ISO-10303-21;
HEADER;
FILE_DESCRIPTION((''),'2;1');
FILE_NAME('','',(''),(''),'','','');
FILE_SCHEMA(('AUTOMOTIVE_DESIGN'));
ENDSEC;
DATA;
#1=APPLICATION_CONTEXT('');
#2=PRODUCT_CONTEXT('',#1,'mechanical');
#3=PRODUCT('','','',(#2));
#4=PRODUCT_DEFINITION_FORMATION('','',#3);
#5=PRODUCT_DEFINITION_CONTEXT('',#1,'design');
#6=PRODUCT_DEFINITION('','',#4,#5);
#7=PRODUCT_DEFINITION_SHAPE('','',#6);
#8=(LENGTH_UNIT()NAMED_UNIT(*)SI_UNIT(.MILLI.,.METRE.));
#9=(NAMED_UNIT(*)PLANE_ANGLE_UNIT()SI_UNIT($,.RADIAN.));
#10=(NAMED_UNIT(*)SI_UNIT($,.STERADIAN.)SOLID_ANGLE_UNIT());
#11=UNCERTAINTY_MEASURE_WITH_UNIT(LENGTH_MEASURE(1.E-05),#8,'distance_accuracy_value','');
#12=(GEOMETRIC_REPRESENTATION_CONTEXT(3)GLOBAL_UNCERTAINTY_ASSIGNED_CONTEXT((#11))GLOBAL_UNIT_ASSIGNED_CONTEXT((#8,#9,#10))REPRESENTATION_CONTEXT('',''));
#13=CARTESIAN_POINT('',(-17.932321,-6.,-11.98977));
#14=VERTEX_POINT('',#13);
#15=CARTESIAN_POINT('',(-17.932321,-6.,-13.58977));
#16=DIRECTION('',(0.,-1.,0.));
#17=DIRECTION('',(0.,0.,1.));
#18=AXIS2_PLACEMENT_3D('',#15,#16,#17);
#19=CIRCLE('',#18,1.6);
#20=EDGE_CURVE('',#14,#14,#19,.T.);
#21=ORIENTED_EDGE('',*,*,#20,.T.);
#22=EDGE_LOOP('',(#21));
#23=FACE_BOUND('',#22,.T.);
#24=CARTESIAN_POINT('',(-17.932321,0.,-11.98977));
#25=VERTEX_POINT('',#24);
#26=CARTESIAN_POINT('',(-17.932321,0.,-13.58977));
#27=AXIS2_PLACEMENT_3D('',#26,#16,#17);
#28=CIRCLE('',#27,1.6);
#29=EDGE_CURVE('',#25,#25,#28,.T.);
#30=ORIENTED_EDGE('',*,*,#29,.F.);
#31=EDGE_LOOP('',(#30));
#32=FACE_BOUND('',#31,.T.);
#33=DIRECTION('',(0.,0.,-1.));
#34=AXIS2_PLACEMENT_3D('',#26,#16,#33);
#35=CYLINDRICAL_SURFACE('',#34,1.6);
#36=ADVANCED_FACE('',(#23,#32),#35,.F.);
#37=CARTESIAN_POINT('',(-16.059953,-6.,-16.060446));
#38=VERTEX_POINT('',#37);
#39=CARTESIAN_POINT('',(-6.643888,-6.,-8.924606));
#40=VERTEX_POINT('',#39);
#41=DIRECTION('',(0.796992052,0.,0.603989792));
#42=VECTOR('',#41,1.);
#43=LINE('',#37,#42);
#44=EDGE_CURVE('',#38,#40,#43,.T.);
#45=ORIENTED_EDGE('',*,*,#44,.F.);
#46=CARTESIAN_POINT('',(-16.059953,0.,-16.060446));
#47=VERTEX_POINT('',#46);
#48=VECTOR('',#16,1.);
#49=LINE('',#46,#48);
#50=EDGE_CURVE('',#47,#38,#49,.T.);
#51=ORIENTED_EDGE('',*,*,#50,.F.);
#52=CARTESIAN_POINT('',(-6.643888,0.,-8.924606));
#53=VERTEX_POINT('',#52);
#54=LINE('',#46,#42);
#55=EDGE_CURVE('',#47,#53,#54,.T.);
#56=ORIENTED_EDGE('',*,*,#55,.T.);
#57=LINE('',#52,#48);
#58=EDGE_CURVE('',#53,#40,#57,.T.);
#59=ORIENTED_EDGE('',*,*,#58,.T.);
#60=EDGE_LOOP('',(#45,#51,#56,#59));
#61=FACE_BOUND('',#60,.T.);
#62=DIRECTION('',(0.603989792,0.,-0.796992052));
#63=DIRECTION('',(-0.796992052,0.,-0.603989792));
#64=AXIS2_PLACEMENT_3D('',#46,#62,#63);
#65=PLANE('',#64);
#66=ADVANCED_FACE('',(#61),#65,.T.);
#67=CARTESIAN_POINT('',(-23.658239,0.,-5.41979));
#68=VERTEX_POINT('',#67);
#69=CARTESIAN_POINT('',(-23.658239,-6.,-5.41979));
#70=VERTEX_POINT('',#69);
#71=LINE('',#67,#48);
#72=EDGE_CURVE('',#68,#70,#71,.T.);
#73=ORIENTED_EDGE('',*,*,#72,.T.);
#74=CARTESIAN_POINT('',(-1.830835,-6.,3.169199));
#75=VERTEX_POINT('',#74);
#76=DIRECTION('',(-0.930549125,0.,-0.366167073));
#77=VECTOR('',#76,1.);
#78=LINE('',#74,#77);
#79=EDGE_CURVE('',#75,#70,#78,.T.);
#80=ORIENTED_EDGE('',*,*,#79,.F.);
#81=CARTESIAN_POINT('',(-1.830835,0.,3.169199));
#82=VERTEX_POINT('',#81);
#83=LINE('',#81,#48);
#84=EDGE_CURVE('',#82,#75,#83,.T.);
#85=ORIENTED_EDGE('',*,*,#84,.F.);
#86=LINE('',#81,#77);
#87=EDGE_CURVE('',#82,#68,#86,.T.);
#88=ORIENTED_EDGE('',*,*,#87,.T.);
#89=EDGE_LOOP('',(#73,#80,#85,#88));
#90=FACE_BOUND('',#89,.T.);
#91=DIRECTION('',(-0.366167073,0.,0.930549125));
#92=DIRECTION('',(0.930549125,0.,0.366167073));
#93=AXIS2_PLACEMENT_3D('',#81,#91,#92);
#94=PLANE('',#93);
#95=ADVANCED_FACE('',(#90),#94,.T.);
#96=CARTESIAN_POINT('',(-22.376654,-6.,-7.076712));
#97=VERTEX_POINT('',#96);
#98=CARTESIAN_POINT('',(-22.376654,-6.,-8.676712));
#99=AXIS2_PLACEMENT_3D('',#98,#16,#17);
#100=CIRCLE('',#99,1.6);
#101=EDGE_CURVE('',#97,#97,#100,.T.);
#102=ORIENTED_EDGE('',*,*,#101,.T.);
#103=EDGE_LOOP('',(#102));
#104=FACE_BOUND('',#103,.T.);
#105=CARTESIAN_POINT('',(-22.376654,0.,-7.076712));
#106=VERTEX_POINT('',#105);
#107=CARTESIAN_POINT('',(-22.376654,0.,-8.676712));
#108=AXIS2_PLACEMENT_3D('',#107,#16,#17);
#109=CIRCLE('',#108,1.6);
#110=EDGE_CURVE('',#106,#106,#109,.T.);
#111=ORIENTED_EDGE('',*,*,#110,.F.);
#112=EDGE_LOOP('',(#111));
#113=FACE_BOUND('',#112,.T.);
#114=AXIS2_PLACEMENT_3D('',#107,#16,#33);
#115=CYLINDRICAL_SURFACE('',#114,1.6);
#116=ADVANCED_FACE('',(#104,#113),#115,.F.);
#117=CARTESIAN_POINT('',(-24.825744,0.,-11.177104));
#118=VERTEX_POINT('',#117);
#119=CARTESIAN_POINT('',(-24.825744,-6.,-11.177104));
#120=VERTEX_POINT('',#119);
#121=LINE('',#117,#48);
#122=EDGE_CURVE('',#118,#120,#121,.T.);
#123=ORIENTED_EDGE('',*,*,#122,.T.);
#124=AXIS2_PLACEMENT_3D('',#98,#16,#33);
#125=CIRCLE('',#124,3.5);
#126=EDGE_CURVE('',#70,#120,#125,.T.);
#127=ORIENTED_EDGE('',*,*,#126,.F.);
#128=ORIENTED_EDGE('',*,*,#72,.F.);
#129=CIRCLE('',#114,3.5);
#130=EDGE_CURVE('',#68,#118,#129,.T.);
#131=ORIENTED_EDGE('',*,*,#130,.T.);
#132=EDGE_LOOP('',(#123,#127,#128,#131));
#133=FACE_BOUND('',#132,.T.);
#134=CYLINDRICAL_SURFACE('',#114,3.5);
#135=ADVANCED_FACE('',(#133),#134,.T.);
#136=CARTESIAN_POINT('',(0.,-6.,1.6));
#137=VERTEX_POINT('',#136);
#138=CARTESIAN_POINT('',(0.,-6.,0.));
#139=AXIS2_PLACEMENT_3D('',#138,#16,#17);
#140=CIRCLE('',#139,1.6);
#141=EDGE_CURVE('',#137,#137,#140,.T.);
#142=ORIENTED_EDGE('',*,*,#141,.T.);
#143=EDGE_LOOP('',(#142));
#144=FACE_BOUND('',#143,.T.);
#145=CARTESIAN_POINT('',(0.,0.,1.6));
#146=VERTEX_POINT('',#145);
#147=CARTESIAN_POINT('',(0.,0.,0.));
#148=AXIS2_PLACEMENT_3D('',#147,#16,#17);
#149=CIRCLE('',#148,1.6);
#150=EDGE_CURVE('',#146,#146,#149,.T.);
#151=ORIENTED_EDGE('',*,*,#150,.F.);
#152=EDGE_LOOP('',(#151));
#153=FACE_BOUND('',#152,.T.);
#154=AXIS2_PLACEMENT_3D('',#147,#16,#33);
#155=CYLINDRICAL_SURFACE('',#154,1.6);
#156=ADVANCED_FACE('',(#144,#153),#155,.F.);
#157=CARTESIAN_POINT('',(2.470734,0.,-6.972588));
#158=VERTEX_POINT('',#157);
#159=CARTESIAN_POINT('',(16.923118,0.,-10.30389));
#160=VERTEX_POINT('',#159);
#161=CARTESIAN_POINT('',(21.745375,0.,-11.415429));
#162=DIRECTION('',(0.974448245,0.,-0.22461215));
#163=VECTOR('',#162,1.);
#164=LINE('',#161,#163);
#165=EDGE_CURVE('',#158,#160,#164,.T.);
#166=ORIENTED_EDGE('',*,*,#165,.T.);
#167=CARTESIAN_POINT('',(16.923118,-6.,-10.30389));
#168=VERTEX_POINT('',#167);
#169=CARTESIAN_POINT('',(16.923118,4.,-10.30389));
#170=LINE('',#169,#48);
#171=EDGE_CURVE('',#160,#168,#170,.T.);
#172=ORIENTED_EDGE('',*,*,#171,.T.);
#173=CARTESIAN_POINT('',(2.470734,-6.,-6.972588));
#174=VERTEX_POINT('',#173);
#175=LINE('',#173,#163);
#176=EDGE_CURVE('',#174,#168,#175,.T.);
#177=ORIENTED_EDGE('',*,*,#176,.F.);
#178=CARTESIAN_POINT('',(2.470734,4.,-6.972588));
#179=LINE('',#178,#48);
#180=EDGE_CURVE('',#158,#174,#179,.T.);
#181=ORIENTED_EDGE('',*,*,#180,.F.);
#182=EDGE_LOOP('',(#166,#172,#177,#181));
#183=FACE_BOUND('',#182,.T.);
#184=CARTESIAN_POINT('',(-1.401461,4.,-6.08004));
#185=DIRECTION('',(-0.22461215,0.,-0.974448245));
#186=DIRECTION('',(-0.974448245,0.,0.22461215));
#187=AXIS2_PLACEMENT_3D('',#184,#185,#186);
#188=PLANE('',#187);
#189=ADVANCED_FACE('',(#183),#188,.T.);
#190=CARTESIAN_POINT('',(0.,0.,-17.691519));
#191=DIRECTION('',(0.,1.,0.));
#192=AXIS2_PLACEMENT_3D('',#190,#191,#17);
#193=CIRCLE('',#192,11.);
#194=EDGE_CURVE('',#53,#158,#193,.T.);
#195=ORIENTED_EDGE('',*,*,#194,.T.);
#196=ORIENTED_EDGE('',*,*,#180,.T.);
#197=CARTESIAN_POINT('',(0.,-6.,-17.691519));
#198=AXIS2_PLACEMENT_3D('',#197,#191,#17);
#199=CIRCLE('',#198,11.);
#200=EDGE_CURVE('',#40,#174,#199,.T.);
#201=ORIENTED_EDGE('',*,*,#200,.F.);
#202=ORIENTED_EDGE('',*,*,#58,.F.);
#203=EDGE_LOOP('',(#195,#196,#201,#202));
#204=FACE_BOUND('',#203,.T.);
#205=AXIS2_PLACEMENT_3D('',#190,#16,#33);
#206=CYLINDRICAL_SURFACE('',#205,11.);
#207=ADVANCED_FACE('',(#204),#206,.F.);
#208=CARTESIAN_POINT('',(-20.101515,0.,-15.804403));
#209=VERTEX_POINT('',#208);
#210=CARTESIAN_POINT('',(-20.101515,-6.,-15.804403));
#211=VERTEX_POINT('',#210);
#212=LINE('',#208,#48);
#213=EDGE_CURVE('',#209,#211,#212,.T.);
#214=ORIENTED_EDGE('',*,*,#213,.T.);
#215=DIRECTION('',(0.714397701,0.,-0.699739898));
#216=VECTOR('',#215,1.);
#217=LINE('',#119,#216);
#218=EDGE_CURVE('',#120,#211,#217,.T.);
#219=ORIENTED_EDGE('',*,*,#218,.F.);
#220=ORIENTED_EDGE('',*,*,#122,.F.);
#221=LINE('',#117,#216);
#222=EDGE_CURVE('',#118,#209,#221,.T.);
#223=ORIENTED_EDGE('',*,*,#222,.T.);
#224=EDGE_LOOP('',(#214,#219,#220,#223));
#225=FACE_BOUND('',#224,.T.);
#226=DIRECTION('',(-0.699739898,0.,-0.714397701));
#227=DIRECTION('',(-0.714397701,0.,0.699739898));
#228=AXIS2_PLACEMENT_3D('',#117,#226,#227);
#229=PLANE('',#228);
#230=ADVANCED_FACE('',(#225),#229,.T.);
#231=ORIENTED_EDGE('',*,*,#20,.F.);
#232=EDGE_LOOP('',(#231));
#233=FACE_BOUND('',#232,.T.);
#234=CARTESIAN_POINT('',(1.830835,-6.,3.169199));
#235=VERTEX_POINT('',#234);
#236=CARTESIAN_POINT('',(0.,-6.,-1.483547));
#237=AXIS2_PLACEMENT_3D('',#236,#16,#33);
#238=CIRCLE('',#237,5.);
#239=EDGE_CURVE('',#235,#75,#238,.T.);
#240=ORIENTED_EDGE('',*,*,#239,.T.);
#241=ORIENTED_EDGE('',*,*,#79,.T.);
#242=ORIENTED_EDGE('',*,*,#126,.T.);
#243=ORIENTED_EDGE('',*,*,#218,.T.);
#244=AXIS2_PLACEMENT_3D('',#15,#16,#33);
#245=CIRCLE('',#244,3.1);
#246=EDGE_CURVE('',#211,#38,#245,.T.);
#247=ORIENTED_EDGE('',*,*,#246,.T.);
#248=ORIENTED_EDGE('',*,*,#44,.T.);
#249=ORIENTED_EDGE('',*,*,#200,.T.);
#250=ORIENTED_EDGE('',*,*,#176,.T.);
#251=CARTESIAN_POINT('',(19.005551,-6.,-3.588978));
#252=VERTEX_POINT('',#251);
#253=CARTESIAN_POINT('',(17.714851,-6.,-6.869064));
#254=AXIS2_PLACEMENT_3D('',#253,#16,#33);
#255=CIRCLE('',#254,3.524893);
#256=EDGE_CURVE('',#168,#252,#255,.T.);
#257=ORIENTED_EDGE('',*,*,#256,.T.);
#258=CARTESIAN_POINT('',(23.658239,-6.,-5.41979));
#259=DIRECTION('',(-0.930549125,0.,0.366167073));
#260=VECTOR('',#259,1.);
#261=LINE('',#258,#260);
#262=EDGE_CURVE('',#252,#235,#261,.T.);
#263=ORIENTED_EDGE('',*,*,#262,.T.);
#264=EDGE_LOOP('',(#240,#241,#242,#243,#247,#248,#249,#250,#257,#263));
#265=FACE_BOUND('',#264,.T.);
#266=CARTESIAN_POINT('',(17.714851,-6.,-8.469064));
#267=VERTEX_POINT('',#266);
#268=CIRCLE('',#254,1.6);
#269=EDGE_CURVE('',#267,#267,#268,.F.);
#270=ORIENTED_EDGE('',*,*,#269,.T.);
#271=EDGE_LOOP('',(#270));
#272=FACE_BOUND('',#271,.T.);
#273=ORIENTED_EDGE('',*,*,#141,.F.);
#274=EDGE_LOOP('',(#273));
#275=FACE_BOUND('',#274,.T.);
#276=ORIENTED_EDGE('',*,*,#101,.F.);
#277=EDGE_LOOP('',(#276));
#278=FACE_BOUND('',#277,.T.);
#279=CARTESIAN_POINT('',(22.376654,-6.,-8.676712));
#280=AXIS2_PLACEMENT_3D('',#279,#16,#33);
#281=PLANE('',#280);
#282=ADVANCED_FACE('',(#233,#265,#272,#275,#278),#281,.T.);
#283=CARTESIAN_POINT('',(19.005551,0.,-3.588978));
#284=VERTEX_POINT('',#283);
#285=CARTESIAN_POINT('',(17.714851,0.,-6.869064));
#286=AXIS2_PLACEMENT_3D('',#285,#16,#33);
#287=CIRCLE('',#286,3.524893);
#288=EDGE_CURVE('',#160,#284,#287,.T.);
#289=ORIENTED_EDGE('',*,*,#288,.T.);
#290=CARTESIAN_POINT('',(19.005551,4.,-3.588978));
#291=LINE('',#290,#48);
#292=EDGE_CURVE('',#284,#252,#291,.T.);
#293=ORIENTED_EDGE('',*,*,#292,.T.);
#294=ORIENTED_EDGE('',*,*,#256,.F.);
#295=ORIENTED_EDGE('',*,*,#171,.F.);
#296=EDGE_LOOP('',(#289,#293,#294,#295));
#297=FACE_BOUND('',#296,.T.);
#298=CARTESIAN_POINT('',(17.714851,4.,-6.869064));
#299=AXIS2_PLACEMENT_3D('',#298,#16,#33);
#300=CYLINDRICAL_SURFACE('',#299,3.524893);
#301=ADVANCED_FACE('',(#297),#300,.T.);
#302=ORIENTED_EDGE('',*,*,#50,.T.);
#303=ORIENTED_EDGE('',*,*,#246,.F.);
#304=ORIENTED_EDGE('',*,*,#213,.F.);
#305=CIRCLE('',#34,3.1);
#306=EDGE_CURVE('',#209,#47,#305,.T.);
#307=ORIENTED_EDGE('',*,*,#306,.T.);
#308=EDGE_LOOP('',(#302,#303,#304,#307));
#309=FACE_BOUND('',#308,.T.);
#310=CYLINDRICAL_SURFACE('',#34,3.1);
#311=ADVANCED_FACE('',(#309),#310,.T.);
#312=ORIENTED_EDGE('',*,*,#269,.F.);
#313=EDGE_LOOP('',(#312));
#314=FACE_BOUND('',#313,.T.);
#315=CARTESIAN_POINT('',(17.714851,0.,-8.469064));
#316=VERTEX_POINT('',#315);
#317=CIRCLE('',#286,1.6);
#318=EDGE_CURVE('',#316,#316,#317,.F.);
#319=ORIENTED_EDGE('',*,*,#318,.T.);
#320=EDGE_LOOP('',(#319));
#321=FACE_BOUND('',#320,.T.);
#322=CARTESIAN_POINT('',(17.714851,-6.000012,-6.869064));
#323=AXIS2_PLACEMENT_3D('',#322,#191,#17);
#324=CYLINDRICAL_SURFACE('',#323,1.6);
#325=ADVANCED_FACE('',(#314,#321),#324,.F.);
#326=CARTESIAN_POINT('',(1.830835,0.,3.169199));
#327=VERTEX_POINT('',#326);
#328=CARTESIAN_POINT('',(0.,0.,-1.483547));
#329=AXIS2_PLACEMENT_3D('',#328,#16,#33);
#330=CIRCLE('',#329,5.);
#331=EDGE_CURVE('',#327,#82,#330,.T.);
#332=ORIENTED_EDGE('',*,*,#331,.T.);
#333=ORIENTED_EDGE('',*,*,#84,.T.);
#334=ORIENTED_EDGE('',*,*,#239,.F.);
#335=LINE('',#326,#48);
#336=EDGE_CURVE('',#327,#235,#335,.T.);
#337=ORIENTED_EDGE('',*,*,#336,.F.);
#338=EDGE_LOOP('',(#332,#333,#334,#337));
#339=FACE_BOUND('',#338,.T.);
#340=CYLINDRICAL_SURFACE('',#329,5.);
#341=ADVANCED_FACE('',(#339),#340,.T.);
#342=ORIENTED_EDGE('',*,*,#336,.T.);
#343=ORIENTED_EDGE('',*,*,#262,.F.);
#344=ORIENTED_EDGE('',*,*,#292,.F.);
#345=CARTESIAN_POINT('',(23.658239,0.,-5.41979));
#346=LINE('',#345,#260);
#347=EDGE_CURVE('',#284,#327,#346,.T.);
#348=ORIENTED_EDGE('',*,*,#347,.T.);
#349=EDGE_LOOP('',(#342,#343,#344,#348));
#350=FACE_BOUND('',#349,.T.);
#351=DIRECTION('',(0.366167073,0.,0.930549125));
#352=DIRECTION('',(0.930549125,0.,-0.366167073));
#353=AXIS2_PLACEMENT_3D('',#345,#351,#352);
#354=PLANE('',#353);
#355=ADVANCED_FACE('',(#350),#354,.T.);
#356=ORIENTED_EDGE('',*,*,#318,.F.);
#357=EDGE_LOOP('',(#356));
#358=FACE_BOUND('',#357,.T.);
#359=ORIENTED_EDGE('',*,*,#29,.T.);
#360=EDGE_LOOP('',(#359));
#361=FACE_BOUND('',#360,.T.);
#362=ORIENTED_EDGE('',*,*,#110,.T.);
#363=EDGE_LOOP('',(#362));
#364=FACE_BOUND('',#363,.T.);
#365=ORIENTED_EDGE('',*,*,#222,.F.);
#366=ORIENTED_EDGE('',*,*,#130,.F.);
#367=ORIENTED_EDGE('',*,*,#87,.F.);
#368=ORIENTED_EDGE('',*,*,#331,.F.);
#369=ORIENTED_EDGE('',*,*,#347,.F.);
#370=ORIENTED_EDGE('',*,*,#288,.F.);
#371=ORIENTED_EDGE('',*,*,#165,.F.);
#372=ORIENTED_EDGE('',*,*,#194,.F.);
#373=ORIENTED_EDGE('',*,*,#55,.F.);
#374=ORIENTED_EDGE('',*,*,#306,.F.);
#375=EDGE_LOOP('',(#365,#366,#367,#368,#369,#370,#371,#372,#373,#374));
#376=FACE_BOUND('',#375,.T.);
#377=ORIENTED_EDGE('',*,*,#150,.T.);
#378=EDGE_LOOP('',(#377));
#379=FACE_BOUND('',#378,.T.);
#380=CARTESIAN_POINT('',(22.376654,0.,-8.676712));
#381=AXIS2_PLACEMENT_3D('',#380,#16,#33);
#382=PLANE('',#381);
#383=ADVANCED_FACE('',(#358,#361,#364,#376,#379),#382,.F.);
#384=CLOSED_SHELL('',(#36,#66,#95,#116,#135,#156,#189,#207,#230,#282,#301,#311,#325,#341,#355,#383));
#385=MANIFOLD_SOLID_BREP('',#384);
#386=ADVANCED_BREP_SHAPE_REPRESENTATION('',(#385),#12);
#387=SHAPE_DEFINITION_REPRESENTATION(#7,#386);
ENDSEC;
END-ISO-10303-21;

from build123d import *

# Parameters (mm, degrees)
ESBO_O1_R                  = 1.6
RESSALTO_EXTRUS_O1_DEPTH   = 6
ESBO_O5_R                  = 1.6
RESSALTO_EXTRUS_O2_DEPTH   = 6
ESBO_O2_R                  = 1.6
CORTE_EXTRUS_O1_DEPTH      = 1
CORTE_EXTRUS_O1_DEPTH_BACK = 10


with BuildPart() as part:
    # Esboço1 → Ressalto-extrusão1 (new body)
    with BuildSketch(Plane.XZ.offset(6)):
        with BuildLine():
            Line((23.658239146, -5.419790473), (1.830835365, 3.169198905))
            ThreePointArc((1.830835365, 3.169198905), (0, 3.516453278), (-1.830835365, 3.169198905))
            Line((-1.830835365, 3.169198905), (-23.658239146, -5.419790473))
            ThreePointArc((-23.658239146, -5.419790473), (-25.806836409, -7.98111819), (-24.825744035, -11.177104364))
            Line((-24.825744035, -11.177104364), (-20.101514858, -15.804403192))
            ThreePointArc((-20.101514858, -15.804403192), (-18.128320556, -16.683568025), (-16.059952818, -16.060445681))
            Line((-16.059952818, -16.060445681), (-6.643887712, -8.924606384))
            ThreePointArc((-6.643887712, -8.924606384), (0, -6.691518958), (6.643887712, -8.924606384))
            Line((6.643887712, -8.924606384), (16.059952818, -16.060445681))
            ThreePointArc((16.059952818, -16.060445681), (18.128320556, -16.683568025), (20.101514858, -15.804403192))
            Line((20.101514858, -15.804403192), (24.825744035, -11.177104364))
            ThreePointArc((24.825744035, -11.177104364), (25.806836409, -7.98111819), (23.658239146, -5.419790473))
        make_face()
        with Locations((-17.932321173, -13.589770319)):
            Circle(ESBO_O1_R, mode=Mode.SUBTRACT)
        Circle(ESBO_O1_R, mode=Mode.SUBTRACT)
        with Locations((17.932321173, -13.589770319)):
            Circle(ESBO_O1_R, mode=Mode.SUBTRACT)
        with Locations((-22.376654391, -8.676712411)):
            Circle(ESBO_O1_R, mode=Mode.SUBTRACT)
        with Locations((22.376654391, -8.676712411)):
            Circle(ESBO_O1_R, mode=Mode.SUBTRACT)
    extrude(amount=-RESSALTO_EXTRUS_O1_DEPTH)

    # Esboço5 → Ressalto-extrusão2 (add)
    with BuildSketch(Plane.XZ.offset(6)):
        with Locations((17.932321173, -13.589770319)):
            Circle(ESBO_O5_R)
        with Locations((22.376654391, -8.676712411)):
            Circle(ESBO_O5_R)
    extrude(amount=-RESSALTO_EXTRUS_O2_DEPTH)

    # Esboço2 → Corte-extrusão1 (cut, two sides)
    with BuildSketch(Plane.XZ.offset(6)) as corte_extrus_o1_sk:
        with BuildLine():
            Line((16.923117575, -10.30388989), (2.470733648, -6.972588263))
            ThreePointArc((2.470733648, -6.972588263), (4.660651706, -7.727668012), (6.643887712, -8.924606384))
            Line((6.643887712, -8.924606384), (16.059952818, -16.060445681))
            ThreePointArc((16.059952818, -16.060445681), (18.128320556, -16.683568025), (20.101514858, -15.804403192))
            Line((20.101514858, -15.804403192), (24.825744035, -11.177104364))
            ThreePointArc((24.825744035, -11.177104364), (25.806836409, -7.98111819), (23.658239146, -5.419790473))
            Line((23.658239146, -5.419790473), (19.005551183, -3.588977798))
            ThreePointArc((19.005551183, -3.588977798), (21.081563864, -7.913151406), (16.923117575, -10.30388989))
        make_face()
        with Locations((17.714851393, -6.869063992)):
            Circle(ESBO_O2_R)
    extrude(amount=CORTE_EXTRUS_O1_DEPTH, mode=Mode.SUBTRACT)
    extrude(corte_extrus_o1_sk.sketch, amount=-CORTE_EXTRUS_O1_DEPTH_BACK, mode=Mode.SUBTRACT)


solid = part.part
